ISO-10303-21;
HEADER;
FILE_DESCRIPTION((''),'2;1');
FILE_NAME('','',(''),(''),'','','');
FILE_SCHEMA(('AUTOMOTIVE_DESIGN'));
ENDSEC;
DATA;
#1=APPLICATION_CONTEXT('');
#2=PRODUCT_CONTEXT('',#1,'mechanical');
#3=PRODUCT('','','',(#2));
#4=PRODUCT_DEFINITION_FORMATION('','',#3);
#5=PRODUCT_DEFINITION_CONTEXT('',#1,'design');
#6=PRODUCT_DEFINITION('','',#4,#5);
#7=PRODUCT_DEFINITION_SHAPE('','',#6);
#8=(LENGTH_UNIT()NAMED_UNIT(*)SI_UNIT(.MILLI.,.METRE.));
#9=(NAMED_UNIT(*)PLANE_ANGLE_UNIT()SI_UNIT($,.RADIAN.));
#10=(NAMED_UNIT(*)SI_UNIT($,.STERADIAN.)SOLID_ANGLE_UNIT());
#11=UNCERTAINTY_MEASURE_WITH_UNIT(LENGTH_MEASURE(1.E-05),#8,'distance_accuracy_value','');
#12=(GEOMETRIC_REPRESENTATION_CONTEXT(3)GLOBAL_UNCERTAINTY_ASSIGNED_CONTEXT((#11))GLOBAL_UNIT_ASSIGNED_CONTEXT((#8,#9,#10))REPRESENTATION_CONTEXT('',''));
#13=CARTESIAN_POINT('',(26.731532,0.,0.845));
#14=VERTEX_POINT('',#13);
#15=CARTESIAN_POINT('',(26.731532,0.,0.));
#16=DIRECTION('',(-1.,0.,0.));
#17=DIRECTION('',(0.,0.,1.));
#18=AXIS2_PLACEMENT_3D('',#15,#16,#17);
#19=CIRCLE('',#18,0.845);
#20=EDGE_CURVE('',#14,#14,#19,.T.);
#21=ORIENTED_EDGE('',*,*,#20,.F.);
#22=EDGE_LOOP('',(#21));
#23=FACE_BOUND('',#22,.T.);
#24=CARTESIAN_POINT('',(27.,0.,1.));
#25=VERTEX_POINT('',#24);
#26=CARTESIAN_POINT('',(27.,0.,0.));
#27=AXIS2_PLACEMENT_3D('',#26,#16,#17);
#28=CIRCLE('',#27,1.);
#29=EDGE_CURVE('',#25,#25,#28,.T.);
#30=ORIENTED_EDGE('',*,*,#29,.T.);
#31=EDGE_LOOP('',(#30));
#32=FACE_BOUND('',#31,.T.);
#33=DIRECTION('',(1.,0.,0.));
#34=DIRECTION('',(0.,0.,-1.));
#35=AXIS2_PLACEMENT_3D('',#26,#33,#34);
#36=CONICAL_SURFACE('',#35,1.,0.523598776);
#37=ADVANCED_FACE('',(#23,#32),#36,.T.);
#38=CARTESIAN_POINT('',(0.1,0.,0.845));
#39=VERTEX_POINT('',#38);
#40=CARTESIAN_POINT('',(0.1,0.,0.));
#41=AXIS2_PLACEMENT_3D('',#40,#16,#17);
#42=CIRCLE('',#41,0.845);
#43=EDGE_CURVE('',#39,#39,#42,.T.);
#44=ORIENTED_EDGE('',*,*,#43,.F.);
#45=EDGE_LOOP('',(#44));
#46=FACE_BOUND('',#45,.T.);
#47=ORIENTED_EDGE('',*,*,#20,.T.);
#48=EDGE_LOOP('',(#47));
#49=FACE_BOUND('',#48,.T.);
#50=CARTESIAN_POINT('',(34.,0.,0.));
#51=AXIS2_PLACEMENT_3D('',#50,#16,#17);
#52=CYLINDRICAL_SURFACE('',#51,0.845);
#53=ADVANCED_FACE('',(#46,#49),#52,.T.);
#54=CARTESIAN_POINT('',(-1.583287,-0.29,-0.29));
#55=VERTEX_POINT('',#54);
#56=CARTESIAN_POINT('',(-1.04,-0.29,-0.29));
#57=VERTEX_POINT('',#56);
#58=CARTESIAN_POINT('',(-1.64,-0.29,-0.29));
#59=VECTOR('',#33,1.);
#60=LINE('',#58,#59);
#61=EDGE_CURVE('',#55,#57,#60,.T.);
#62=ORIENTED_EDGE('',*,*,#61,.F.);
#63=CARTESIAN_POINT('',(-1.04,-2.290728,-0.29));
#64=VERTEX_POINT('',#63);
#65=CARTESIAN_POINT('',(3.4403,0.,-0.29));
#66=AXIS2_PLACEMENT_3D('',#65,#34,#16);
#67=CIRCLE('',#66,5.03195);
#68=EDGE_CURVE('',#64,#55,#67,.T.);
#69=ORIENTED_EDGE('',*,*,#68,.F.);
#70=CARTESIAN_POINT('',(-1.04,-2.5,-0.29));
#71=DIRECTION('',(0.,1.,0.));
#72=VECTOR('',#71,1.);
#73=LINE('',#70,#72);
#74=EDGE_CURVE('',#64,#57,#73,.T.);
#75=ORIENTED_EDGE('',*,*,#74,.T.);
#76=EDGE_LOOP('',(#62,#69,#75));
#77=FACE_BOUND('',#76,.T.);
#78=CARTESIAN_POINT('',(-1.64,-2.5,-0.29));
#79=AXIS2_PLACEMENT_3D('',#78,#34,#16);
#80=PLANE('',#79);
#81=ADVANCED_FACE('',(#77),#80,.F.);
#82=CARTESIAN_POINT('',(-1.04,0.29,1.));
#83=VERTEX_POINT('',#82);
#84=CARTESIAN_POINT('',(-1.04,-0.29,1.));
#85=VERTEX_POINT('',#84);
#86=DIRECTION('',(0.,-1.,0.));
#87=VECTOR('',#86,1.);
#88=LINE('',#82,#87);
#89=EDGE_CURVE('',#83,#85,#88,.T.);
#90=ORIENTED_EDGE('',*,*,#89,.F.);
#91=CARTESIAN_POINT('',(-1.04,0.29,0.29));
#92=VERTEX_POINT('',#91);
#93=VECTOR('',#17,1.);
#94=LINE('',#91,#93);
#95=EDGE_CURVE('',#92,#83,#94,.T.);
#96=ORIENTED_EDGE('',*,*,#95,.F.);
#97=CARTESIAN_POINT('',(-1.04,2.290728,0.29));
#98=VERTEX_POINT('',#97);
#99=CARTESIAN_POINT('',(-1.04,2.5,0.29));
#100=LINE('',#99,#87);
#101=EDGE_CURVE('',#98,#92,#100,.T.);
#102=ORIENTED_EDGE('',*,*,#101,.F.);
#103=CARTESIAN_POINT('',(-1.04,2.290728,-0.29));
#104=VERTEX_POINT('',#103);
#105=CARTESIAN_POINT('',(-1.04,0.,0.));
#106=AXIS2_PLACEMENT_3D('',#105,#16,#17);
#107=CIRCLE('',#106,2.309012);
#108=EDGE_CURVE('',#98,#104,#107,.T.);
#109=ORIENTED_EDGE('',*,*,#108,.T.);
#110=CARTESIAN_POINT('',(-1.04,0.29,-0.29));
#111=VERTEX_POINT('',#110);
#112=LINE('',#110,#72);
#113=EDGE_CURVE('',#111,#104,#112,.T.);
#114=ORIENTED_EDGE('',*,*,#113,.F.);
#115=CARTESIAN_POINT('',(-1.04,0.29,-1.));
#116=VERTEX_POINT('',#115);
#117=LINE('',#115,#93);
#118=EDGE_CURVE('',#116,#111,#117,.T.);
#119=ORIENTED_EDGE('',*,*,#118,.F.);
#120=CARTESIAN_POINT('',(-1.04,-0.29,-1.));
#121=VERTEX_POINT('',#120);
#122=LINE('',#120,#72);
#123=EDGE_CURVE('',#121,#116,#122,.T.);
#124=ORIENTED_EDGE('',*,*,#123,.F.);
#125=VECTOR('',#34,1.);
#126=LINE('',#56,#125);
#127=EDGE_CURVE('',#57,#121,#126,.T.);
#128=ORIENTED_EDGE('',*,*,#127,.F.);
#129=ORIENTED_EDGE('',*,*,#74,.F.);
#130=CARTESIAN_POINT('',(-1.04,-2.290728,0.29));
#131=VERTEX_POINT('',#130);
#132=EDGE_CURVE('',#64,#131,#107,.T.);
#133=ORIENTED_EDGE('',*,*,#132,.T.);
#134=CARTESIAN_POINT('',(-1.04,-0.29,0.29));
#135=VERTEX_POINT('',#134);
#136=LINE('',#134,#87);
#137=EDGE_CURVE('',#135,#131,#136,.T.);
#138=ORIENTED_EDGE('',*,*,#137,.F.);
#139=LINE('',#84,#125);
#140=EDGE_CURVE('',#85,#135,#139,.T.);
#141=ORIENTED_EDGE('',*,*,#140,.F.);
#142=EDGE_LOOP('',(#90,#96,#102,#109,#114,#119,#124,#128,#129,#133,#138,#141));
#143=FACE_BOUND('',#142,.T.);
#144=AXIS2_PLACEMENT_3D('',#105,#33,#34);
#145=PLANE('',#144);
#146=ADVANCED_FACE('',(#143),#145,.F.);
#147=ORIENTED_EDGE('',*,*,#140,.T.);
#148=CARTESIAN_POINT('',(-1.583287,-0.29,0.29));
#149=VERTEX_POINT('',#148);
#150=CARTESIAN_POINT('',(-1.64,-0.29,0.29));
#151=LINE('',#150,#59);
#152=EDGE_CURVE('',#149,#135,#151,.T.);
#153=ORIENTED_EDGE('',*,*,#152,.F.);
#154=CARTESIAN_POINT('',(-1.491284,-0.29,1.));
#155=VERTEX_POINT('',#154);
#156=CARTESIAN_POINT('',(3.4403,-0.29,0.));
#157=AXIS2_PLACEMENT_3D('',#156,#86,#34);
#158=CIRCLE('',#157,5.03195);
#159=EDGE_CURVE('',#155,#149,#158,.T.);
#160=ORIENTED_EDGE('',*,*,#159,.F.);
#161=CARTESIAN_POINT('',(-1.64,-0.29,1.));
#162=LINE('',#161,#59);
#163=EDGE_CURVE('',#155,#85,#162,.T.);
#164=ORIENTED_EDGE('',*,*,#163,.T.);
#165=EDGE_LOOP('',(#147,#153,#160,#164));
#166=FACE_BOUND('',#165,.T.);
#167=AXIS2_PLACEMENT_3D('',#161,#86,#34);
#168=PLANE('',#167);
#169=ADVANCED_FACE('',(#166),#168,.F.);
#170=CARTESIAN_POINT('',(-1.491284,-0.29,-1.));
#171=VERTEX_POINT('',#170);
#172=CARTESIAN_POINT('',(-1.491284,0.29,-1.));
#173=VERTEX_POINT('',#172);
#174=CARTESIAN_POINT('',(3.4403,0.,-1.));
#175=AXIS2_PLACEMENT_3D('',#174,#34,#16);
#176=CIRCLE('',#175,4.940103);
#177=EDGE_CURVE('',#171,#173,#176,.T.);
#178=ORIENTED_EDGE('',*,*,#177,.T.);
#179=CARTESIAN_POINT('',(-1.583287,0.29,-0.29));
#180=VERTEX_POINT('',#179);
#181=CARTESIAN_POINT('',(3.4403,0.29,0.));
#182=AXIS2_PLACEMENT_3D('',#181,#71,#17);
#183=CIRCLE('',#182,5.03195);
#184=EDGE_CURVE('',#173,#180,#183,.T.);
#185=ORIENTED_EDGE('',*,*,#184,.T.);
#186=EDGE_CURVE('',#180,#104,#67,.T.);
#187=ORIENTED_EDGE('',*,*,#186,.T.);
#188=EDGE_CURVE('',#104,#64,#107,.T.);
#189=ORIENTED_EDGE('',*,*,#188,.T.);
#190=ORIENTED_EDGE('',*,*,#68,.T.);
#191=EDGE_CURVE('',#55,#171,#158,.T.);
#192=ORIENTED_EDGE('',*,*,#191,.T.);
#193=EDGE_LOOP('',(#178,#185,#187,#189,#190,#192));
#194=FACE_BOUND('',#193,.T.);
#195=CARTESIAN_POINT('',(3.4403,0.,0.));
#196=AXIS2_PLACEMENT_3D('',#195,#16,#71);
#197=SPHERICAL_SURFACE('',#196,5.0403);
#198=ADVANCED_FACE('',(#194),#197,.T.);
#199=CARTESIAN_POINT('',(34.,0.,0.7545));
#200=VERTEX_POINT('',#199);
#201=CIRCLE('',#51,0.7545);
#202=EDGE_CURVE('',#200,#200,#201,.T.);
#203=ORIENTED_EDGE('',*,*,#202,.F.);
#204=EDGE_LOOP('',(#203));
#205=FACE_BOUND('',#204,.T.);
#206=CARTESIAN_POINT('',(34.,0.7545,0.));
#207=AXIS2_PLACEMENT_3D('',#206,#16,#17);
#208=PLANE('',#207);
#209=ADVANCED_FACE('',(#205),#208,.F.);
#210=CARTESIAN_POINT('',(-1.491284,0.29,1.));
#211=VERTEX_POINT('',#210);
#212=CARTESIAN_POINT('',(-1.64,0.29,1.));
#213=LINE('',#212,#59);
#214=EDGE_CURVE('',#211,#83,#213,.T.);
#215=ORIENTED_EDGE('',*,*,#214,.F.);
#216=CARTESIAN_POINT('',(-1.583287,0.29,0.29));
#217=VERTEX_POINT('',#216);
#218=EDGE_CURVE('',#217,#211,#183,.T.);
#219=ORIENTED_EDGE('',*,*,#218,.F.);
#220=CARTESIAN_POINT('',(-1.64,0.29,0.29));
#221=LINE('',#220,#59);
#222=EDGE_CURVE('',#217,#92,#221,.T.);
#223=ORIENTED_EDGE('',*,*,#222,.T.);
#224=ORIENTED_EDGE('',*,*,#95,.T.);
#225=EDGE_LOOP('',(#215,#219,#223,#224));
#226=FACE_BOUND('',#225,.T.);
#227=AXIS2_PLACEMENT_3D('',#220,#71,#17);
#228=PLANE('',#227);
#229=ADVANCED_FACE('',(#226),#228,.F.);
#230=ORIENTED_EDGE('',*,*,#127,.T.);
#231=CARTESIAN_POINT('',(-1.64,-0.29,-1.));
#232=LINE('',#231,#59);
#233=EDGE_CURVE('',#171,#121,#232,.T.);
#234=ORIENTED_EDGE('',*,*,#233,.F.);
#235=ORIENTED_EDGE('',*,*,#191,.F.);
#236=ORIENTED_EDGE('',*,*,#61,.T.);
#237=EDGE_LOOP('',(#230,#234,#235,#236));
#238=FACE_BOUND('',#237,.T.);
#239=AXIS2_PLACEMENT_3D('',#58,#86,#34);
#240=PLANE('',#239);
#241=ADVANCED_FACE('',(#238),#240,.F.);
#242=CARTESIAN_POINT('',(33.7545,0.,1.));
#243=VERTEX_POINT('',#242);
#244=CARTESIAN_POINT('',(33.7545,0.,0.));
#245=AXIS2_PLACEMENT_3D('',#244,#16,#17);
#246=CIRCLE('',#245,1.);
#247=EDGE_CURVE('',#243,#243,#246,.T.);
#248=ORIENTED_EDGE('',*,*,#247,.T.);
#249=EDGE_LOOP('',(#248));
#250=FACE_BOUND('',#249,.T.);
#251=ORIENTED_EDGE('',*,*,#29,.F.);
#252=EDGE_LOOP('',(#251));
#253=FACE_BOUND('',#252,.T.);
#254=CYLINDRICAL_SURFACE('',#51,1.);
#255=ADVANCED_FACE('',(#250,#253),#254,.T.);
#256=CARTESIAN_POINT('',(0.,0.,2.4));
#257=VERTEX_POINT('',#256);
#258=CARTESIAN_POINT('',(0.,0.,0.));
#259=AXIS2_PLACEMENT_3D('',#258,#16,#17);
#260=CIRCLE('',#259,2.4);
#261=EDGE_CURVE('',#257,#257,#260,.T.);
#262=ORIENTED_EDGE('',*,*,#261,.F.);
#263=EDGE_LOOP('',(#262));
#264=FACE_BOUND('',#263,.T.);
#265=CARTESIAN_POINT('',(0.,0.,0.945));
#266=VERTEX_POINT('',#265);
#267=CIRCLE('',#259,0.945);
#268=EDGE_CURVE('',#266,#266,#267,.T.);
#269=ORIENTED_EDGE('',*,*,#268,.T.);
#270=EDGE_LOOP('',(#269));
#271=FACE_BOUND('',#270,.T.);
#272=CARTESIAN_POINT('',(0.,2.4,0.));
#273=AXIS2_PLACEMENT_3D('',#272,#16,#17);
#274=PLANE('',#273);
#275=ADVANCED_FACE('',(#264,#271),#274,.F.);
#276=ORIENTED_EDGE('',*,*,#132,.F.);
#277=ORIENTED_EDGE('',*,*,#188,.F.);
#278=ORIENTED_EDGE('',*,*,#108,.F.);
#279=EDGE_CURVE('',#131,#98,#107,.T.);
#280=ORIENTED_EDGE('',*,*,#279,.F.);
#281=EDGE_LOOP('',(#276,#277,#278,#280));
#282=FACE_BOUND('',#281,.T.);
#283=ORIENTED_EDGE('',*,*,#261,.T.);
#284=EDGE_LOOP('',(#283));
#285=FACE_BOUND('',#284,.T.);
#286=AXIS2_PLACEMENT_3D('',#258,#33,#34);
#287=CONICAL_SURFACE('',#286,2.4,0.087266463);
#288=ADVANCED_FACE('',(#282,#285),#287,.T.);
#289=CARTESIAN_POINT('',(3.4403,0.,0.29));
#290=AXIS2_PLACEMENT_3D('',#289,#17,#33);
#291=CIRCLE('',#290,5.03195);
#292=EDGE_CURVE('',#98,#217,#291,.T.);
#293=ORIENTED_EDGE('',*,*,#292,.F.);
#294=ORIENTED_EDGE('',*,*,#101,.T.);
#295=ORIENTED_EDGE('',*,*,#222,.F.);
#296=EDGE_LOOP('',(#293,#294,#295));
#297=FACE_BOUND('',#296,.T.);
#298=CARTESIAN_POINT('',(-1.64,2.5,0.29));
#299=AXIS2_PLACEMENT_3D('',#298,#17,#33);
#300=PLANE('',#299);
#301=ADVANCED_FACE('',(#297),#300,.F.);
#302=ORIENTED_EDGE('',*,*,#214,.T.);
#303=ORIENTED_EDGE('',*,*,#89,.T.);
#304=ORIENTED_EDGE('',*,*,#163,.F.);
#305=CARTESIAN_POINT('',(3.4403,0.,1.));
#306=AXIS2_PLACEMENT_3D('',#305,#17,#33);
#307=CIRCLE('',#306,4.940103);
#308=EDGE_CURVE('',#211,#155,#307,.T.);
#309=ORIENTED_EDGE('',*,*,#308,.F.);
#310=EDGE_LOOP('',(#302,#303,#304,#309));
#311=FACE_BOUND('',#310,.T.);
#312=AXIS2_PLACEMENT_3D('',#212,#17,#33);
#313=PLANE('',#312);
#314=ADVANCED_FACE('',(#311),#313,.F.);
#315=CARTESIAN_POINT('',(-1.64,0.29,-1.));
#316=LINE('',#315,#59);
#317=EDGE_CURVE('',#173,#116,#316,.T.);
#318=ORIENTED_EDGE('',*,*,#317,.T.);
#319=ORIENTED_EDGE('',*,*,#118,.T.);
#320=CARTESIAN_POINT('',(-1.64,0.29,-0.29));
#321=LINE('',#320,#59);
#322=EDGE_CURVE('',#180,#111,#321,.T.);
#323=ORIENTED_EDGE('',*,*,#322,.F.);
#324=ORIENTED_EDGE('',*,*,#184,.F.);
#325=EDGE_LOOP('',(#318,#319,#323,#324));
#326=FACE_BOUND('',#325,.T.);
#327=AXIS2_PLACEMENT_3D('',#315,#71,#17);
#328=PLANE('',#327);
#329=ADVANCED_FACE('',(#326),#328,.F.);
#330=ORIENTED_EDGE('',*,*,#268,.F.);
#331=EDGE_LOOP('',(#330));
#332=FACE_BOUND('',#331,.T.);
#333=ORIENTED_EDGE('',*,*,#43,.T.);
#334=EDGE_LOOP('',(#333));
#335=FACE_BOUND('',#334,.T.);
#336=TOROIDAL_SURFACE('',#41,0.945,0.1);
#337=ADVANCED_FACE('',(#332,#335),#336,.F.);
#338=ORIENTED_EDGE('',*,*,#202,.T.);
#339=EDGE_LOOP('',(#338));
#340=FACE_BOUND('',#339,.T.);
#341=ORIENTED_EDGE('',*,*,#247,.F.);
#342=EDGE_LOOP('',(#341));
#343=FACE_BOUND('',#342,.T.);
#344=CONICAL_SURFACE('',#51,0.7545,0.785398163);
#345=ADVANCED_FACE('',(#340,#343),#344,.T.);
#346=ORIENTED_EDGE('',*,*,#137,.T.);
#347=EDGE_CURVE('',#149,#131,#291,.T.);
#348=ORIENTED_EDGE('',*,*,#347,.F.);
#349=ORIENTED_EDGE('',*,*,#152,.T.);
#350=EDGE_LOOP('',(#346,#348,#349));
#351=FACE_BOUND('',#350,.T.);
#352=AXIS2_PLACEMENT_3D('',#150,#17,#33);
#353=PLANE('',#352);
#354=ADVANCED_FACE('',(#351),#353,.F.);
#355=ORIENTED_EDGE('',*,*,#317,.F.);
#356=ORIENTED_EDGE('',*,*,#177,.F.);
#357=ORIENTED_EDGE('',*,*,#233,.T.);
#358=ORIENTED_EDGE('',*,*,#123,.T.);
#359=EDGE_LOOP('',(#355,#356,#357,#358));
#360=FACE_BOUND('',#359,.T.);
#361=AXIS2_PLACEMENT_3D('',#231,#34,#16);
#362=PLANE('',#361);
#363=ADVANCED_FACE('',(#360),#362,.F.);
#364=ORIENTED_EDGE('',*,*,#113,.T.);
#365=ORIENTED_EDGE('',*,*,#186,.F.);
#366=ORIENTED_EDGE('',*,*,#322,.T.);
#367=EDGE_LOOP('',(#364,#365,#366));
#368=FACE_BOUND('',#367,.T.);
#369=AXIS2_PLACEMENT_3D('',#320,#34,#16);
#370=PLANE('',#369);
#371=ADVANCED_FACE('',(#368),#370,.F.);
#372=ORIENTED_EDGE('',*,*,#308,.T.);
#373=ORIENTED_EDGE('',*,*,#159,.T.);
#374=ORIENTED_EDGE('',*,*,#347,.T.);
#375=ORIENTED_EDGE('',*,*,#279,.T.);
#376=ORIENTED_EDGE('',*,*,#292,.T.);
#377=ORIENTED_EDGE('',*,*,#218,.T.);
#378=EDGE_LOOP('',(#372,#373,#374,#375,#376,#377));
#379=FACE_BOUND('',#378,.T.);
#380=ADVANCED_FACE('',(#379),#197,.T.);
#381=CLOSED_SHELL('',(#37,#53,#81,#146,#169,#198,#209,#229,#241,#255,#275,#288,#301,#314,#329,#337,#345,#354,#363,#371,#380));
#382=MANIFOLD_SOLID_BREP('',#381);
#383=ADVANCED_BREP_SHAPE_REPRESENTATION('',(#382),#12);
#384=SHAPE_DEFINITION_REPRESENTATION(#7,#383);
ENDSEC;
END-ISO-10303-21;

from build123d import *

# Parameters (mm, degrees)
CUT_EXTRUDE1_DEPTH = 0.6


with BuildPart() as part:
    # Sketch1 → Revolve1 (revolve)
    with BuildSketch(Plane.XY):
        with BuildLine():
            Line((-1.04, 2.30901179), (0, 2.4))
            Line((0, 2.4), (0, 0.945))
            ThreePointArc((0, 0.945), (0.029289322, 0.874289322), (0.1, 0.845))
            Line((0.1, 0.845), (26.731532125, 0.845))
            Line((26.731532125, 0.845), (27, 1))
            Line((27, 1), (33.7545, 1))
            Line((33.7545, 1), (34, 0.7545))
            Line((34, 0.7545), (34, 0))
            Line((34, 0), (-1.6, 0))
            ThreePointArc((-1.6, 0), (-1.457999714, 1.187974689), (-1.04, 2.30901179))
        make_face()
    revolve(axis=Axis((34, 0, 0), (-1, 0, 0)))

    # Sketch2 → Cut-Extrude1 (cut)
    with BuildSketch(Plane(origin=(-1.04, 0, 0), x_dir=(0, 0, -1), z_dir=(1, 0, 0))):
        Polygon((-1, 0.29), (-1, -0.29), (-0.29, -0.29), (-0.29, -2.5), (0.29, -2.5), (0.29, -0.29), (1, -0.29), (1, 0.29), (0.29, 0.29), (0.29, 2.5), (-0.29, 2.5), (-0.29, 0.29), align=None)
    extrude(amount=-CUT_EXTRUDE1_DEPTH, mode=Mode.SUBTRACT)


solid = part.part
